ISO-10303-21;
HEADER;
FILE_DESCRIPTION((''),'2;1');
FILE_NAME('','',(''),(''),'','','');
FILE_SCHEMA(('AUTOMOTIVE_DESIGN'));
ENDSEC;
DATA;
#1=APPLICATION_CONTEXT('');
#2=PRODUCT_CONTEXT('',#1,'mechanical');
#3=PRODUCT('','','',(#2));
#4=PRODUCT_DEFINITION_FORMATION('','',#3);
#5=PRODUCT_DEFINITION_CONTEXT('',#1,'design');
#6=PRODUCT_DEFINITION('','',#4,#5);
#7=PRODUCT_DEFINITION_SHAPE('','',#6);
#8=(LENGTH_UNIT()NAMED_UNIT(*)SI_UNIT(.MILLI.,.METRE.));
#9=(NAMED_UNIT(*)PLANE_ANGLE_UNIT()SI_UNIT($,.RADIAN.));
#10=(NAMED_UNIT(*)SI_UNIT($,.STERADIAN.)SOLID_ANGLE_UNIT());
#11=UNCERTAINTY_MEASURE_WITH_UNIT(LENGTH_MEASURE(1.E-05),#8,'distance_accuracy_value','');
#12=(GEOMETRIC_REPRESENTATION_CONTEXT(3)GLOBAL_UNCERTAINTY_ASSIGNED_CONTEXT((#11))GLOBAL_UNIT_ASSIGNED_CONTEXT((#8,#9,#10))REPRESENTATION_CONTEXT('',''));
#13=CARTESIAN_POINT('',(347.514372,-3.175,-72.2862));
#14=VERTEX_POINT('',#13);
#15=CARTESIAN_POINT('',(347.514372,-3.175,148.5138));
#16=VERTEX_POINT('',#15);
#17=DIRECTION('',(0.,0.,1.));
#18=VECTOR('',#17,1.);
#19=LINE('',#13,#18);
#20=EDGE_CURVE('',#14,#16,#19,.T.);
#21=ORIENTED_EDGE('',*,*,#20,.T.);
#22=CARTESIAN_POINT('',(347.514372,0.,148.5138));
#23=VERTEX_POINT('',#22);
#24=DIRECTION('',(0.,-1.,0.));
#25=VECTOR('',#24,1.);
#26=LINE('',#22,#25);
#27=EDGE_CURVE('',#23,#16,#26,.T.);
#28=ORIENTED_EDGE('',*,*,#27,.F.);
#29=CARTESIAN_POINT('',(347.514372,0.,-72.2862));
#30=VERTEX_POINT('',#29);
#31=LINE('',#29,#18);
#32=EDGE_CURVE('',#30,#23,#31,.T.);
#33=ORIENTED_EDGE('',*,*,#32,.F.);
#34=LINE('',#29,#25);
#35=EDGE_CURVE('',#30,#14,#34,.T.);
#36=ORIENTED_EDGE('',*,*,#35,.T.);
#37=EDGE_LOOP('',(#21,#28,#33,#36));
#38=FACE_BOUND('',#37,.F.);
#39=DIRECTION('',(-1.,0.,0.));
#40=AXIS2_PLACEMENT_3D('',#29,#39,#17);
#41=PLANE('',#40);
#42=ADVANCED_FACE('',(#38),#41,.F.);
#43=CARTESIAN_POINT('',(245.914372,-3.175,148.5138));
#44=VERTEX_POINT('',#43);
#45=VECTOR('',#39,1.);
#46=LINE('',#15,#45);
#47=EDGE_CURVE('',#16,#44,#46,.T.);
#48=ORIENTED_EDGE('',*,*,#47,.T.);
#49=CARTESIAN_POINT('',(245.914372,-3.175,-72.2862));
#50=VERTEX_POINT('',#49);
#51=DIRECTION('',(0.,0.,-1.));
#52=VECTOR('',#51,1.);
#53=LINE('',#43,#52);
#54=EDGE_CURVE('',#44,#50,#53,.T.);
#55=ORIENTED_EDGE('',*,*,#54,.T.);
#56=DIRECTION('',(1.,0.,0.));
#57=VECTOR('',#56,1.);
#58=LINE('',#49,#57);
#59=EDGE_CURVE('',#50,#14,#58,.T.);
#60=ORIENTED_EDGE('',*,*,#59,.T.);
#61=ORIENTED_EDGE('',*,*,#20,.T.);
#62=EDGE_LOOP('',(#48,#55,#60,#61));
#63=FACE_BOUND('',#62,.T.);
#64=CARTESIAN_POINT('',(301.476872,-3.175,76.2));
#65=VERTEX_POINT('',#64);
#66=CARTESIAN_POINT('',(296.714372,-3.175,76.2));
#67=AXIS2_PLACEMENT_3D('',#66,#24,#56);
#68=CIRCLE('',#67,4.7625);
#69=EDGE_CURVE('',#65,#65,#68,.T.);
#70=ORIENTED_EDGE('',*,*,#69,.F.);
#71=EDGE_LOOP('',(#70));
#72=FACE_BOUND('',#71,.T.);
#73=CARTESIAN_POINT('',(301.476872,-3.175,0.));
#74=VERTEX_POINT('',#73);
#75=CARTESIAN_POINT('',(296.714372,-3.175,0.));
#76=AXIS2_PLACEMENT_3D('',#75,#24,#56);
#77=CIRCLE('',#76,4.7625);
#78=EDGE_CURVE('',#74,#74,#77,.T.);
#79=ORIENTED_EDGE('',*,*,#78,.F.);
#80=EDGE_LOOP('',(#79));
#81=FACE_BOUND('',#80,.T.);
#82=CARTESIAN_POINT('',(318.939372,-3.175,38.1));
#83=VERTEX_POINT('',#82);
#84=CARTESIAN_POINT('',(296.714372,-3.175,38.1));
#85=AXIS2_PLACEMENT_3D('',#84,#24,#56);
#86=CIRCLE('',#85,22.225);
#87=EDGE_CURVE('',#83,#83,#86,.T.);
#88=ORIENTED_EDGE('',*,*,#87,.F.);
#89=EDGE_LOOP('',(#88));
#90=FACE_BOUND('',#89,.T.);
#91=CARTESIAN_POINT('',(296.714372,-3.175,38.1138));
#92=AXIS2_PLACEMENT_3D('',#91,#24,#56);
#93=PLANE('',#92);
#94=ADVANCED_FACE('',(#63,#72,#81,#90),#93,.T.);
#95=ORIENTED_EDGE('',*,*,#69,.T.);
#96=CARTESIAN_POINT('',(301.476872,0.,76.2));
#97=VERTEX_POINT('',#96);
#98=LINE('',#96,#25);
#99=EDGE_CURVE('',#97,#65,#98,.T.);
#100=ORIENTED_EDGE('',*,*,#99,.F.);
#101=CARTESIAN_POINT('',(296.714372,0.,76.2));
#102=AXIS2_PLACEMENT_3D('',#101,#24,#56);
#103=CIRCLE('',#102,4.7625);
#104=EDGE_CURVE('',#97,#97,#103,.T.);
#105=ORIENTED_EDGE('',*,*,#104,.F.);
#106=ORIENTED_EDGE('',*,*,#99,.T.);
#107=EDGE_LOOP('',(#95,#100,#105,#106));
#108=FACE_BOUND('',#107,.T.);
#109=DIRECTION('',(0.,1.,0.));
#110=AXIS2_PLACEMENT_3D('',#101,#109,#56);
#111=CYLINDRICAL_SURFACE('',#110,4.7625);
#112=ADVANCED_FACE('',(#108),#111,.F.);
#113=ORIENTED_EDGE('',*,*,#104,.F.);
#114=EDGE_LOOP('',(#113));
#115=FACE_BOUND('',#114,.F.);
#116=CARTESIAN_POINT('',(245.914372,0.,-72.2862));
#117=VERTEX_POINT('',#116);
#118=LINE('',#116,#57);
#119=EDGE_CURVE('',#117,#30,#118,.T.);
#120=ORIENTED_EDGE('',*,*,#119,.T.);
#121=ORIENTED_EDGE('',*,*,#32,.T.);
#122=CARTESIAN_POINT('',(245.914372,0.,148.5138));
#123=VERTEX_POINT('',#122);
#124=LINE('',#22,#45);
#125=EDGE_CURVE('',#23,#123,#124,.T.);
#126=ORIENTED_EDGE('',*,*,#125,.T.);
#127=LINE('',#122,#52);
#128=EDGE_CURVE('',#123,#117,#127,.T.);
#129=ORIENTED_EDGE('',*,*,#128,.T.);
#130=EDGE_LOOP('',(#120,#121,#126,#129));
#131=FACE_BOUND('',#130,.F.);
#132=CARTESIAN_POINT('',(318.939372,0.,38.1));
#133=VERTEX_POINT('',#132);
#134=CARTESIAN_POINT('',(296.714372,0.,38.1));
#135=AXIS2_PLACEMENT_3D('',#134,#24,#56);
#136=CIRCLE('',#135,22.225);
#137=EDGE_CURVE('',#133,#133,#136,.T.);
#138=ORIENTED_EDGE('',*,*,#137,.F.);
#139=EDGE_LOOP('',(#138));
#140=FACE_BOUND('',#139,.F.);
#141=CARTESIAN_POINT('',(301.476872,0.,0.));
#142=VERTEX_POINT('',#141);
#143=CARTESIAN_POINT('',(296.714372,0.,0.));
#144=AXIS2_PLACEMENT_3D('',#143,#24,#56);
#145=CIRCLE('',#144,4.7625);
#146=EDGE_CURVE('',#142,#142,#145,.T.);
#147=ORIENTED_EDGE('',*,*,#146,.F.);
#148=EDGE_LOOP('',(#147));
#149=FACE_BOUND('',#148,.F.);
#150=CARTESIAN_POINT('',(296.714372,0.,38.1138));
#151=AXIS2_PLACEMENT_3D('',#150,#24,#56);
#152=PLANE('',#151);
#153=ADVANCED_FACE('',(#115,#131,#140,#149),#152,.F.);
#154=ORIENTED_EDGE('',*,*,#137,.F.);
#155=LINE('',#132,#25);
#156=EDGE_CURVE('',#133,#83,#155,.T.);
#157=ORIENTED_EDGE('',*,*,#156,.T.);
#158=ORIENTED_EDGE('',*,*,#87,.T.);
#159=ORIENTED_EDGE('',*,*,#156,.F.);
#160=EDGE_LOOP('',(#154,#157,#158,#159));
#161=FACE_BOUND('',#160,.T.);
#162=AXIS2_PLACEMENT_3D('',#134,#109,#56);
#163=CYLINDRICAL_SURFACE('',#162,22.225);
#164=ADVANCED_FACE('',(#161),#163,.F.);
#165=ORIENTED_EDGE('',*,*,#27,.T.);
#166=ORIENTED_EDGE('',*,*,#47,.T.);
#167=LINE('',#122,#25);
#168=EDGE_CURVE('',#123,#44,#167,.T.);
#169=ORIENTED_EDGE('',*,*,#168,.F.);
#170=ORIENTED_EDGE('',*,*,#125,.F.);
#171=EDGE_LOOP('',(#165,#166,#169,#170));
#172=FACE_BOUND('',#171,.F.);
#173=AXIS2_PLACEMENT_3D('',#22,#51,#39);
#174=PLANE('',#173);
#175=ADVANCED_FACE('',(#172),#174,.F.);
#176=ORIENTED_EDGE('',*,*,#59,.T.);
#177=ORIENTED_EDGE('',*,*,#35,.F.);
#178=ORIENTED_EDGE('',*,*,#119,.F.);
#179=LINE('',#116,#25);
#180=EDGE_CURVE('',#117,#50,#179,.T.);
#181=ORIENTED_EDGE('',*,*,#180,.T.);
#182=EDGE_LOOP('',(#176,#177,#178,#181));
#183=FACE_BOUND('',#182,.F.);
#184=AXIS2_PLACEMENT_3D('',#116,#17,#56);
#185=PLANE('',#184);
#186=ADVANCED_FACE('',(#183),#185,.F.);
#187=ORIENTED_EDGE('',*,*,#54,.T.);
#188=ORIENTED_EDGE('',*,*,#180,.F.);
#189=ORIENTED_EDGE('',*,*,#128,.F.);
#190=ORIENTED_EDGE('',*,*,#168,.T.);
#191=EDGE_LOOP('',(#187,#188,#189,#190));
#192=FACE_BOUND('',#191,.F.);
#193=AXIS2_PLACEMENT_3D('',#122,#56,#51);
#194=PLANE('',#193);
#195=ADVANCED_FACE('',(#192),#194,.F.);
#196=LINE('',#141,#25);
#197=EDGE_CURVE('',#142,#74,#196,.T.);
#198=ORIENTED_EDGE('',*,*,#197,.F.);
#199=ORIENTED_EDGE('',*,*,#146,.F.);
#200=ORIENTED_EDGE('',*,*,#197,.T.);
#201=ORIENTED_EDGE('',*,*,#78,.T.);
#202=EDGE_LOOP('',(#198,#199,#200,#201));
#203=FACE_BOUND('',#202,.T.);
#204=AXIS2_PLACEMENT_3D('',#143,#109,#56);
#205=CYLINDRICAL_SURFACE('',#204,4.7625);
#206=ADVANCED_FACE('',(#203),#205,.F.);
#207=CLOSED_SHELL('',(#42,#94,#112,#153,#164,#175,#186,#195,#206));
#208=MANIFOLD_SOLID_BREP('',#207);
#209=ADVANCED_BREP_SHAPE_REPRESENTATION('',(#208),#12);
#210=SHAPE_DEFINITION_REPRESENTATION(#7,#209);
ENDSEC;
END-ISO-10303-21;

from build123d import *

# Parameters (mm, degrees)
F0_R     = 4.7625
F0_R_2   = 22.225
F1_DEPTH = 3.175


with BuildPart() as f1:
    # F0 (on Front) → F1 (new body)
    with BuildSketch(Plane.XZ):
        Polygon((347.514372, -72.2862), (347.514372, 38.1), (347.514372, 148.5138), (245.914372, 148.5138), (245.914372, -72.2862), align=None)
        with Locations((296.714372, 0)):
            Circle(F0_R, mode=Mode.SUBTRACT)
        with Locations((296.714372, 38.1)):
            Circle(F0_R_2, mode=Mode.SUBTRACT)
        with Locations((296.714372, 76.2)):
            Circle(F0_R, mode=Mode.SUBTRACT)
    extrude(amount=F1_DEPTH)


solid = f1.part
